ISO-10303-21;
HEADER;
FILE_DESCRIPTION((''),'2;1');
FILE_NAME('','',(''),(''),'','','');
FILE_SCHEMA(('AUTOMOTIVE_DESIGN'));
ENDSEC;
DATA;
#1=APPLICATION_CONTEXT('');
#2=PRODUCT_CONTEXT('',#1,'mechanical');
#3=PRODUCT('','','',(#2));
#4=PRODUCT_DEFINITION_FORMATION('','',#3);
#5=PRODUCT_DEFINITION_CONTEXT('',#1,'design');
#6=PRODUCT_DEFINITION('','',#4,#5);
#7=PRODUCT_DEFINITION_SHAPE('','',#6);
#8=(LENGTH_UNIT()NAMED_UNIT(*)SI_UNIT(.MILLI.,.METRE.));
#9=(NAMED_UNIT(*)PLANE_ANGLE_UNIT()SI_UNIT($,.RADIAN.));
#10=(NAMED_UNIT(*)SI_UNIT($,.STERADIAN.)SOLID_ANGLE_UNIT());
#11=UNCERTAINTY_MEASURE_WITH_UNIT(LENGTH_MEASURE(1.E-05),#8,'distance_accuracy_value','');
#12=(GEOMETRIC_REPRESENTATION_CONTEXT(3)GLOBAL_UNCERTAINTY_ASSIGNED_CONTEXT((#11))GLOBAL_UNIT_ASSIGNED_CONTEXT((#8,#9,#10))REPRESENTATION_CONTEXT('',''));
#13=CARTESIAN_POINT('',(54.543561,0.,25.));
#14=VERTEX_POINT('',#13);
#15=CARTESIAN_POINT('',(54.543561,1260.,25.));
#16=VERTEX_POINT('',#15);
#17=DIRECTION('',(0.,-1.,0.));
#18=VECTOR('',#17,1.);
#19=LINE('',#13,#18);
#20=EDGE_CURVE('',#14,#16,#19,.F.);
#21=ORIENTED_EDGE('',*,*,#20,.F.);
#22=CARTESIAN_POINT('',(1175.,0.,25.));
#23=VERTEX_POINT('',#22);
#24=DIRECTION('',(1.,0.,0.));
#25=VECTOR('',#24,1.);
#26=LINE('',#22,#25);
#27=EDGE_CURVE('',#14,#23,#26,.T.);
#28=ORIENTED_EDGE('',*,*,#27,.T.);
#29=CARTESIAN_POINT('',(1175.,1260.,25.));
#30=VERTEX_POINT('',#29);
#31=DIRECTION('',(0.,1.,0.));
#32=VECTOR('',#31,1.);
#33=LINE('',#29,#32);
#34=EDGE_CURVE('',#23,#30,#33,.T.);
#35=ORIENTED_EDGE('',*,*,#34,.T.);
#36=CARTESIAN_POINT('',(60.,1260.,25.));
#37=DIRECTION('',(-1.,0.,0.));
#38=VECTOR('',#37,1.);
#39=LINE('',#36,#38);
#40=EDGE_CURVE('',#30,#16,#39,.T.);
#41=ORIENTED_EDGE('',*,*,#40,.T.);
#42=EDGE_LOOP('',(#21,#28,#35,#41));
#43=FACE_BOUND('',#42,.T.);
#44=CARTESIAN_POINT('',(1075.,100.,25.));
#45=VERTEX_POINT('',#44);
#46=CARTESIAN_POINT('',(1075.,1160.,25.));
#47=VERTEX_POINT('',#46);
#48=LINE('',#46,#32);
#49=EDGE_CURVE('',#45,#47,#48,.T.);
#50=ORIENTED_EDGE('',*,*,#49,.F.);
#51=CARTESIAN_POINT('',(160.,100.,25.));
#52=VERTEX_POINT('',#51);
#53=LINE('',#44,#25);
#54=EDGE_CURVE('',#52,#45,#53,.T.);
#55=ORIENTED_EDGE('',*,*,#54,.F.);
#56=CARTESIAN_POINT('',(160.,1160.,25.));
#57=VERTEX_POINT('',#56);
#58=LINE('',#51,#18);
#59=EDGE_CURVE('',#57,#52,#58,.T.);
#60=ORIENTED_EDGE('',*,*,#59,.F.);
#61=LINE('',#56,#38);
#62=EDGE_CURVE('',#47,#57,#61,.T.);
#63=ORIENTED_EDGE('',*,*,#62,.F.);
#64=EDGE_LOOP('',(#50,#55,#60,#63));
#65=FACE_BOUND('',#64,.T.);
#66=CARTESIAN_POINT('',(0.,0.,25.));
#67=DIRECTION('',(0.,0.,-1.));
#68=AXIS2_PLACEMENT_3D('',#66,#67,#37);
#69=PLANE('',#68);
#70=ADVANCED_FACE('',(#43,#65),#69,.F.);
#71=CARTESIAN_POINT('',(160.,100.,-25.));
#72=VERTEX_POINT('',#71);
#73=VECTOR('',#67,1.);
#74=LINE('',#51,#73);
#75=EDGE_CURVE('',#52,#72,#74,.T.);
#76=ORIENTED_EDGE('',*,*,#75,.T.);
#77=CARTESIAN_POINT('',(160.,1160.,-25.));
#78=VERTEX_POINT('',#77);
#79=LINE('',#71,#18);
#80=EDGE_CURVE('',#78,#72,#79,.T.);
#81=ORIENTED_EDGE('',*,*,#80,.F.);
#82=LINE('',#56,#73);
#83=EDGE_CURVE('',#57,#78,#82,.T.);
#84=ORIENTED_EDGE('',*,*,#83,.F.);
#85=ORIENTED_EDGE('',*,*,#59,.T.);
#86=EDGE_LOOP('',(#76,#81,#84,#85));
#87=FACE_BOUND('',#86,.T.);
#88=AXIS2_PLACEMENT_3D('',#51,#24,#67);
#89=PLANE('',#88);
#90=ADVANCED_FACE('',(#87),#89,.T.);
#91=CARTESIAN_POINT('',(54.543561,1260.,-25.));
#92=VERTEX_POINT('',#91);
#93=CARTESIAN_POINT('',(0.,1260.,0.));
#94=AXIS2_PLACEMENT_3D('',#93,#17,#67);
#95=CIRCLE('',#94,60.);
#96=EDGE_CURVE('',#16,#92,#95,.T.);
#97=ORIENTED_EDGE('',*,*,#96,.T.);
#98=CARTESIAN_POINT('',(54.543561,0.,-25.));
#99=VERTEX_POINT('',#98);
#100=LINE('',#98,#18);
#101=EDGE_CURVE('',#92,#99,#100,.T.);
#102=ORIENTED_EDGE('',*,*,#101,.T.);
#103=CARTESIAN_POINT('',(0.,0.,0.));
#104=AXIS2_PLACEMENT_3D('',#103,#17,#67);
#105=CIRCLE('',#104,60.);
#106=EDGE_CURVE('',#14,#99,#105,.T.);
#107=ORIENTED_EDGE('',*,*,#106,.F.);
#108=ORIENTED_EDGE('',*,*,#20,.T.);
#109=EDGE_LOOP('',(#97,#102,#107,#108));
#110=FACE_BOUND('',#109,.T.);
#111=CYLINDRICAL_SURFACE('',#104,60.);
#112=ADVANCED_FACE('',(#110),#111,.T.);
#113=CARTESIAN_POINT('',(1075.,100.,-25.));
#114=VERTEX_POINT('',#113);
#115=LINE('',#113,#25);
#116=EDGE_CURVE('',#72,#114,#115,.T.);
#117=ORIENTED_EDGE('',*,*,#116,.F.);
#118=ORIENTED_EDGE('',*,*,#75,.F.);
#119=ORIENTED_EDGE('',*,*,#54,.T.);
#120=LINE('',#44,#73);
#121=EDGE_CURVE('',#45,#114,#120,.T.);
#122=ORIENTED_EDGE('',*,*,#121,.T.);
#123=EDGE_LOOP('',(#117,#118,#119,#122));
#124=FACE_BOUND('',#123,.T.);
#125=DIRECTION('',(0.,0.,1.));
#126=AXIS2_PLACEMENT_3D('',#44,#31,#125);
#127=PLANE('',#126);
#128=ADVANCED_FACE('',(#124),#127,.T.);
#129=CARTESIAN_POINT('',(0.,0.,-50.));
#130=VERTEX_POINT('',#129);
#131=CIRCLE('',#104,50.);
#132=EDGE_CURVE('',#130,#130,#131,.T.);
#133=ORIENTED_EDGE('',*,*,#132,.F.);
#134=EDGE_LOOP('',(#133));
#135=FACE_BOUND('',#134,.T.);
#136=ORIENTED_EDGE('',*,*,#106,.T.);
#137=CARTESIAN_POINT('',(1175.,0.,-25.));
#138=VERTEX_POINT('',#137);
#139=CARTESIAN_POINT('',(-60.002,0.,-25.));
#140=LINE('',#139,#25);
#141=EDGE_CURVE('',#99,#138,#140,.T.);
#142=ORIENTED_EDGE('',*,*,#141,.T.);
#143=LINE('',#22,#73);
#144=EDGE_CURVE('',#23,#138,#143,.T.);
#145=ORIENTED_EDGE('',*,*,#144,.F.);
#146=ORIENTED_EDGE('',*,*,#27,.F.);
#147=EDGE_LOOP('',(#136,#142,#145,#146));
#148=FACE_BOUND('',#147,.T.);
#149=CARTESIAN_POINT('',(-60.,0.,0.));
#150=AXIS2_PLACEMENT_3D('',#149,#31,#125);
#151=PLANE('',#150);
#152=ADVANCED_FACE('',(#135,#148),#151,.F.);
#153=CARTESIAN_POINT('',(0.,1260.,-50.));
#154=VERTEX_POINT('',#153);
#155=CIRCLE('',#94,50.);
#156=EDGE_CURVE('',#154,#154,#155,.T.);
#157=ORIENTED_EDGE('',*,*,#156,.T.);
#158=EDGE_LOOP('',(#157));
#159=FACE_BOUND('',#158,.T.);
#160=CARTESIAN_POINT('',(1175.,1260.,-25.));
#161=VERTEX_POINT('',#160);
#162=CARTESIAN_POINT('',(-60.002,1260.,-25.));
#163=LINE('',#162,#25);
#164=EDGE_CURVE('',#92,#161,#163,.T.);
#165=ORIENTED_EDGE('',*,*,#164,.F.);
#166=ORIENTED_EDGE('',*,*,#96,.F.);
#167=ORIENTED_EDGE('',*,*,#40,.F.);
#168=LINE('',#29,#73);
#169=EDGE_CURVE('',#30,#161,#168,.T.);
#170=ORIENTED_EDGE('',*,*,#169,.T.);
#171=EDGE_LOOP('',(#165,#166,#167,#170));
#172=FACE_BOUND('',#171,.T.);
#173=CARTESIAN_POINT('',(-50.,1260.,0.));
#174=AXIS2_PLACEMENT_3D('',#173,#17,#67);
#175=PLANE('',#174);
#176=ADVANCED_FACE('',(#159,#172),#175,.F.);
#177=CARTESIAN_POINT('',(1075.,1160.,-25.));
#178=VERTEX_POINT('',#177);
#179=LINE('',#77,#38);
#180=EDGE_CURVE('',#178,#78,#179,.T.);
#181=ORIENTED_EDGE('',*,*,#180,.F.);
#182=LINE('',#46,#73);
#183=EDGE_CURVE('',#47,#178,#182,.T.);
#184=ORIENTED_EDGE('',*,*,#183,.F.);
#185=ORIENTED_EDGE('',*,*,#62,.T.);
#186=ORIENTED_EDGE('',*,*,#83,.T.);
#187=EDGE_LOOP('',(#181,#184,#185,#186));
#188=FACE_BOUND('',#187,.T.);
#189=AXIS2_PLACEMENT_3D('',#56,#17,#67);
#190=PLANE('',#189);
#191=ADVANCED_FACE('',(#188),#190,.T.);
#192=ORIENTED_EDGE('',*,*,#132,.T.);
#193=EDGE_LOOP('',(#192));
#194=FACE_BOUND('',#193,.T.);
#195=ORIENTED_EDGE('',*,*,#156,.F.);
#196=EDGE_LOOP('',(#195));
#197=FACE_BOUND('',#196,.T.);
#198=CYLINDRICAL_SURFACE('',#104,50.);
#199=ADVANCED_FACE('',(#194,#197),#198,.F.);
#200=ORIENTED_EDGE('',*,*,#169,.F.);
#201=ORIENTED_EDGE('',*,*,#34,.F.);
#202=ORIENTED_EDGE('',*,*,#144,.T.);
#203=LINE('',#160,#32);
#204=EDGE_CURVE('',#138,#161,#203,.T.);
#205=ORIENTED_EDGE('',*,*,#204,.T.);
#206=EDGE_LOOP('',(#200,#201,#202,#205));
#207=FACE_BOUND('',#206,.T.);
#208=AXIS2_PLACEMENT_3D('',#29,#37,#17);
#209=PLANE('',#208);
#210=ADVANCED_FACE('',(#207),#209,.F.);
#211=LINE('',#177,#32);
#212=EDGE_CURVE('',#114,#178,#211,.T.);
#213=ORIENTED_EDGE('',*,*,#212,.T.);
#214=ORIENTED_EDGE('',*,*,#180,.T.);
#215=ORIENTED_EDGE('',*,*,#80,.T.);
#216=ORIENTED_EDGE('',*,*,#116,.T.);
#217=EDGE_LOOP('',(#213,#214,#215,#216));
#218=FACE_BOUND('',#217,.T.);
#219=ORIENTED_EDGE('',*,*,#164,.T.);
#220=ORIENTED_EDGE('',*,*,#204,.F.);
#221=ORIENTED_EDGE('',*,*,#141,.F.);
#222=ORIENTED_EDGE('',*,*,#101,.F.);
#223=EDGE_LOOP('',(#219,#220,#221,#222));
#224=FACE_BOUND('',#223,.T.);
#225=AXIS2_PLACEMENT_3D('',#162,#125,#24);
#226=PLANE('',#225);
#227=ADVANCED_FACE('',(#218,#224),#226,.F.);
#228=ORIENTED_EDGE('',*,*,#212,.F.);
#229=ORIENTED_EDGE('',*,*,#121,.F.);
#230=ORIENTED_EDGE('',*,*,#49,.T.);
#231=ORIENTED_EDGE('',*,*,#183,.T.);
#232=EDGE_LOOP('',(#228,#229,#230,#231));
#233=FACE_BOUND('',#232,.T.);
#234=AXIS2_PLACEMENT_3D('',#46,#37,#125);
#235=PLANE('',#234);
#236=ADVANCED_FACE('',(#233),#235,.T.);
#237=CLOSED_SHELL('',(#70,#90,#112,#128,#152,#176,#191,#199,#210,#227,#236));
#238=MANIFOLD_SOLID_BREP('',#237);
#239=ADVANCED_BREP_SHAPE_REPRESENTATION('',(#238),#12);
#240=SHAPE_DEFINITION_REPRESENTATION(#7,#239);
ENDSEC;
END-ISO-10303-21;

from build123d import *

# Parameters (mm, degrees)
SKETCH1_W           = 10
SKETCH1_H           = 1260
SKETCH2_W           = 1115
SKETCH2_H           = 1260
SKETCH2_W_2         = 915
SKETCH2_H_2         = 1060
BOSS_EXTRUDE1_DEPTH = 25
SKETCH3_W           = 50
SKETCH3_H           = 1260
BOSS_EXTRUDE2_DEPTH = 10


with BuildPart() as part:
    # Sketch1 → Revolve1 (revolve)
    with BuildSketch(Plane.XY):
        with Locations((-55, 630)):
            Rectangle(SKETCH1_W, SKETCH1_H)
    revolve(axis=Axis((0, 0, 0), (0, 1, 0)))



with BuildPart() as body_2:
    # Sketch2 → Boss-Extrude1 (new body, symmetric)
    with BuildSketch(Plane.XY):
        with Locations((617.5, 630)):
            Rectangle(SKETCH2_W, SKETCH2_H)
        with Locations((617.5, 630)):
            Rectangle(SKETCH2_W_2, SKETCH2_H_2, mode=Mode.SUBTRACT)
    extrude(amount=BOSS_EXTRUDE1_DEPTH, both=True)


with BuildPart() as part_1:
    add(part.part)

    add(body_2.part)  # Boss-Extrude2 merges body 2
    # Sketch3 → Boss-Extrude2 (add)
    with BuildSketch(Plane.ZY.offset(-60)):
        with Locations((0, 630)):
            Rectangle(SKETCH3_W, SKETCH3_H)
    extrude(amount=BOSS_EXTRUDE2_DEPTH)


solid = part_1.part
